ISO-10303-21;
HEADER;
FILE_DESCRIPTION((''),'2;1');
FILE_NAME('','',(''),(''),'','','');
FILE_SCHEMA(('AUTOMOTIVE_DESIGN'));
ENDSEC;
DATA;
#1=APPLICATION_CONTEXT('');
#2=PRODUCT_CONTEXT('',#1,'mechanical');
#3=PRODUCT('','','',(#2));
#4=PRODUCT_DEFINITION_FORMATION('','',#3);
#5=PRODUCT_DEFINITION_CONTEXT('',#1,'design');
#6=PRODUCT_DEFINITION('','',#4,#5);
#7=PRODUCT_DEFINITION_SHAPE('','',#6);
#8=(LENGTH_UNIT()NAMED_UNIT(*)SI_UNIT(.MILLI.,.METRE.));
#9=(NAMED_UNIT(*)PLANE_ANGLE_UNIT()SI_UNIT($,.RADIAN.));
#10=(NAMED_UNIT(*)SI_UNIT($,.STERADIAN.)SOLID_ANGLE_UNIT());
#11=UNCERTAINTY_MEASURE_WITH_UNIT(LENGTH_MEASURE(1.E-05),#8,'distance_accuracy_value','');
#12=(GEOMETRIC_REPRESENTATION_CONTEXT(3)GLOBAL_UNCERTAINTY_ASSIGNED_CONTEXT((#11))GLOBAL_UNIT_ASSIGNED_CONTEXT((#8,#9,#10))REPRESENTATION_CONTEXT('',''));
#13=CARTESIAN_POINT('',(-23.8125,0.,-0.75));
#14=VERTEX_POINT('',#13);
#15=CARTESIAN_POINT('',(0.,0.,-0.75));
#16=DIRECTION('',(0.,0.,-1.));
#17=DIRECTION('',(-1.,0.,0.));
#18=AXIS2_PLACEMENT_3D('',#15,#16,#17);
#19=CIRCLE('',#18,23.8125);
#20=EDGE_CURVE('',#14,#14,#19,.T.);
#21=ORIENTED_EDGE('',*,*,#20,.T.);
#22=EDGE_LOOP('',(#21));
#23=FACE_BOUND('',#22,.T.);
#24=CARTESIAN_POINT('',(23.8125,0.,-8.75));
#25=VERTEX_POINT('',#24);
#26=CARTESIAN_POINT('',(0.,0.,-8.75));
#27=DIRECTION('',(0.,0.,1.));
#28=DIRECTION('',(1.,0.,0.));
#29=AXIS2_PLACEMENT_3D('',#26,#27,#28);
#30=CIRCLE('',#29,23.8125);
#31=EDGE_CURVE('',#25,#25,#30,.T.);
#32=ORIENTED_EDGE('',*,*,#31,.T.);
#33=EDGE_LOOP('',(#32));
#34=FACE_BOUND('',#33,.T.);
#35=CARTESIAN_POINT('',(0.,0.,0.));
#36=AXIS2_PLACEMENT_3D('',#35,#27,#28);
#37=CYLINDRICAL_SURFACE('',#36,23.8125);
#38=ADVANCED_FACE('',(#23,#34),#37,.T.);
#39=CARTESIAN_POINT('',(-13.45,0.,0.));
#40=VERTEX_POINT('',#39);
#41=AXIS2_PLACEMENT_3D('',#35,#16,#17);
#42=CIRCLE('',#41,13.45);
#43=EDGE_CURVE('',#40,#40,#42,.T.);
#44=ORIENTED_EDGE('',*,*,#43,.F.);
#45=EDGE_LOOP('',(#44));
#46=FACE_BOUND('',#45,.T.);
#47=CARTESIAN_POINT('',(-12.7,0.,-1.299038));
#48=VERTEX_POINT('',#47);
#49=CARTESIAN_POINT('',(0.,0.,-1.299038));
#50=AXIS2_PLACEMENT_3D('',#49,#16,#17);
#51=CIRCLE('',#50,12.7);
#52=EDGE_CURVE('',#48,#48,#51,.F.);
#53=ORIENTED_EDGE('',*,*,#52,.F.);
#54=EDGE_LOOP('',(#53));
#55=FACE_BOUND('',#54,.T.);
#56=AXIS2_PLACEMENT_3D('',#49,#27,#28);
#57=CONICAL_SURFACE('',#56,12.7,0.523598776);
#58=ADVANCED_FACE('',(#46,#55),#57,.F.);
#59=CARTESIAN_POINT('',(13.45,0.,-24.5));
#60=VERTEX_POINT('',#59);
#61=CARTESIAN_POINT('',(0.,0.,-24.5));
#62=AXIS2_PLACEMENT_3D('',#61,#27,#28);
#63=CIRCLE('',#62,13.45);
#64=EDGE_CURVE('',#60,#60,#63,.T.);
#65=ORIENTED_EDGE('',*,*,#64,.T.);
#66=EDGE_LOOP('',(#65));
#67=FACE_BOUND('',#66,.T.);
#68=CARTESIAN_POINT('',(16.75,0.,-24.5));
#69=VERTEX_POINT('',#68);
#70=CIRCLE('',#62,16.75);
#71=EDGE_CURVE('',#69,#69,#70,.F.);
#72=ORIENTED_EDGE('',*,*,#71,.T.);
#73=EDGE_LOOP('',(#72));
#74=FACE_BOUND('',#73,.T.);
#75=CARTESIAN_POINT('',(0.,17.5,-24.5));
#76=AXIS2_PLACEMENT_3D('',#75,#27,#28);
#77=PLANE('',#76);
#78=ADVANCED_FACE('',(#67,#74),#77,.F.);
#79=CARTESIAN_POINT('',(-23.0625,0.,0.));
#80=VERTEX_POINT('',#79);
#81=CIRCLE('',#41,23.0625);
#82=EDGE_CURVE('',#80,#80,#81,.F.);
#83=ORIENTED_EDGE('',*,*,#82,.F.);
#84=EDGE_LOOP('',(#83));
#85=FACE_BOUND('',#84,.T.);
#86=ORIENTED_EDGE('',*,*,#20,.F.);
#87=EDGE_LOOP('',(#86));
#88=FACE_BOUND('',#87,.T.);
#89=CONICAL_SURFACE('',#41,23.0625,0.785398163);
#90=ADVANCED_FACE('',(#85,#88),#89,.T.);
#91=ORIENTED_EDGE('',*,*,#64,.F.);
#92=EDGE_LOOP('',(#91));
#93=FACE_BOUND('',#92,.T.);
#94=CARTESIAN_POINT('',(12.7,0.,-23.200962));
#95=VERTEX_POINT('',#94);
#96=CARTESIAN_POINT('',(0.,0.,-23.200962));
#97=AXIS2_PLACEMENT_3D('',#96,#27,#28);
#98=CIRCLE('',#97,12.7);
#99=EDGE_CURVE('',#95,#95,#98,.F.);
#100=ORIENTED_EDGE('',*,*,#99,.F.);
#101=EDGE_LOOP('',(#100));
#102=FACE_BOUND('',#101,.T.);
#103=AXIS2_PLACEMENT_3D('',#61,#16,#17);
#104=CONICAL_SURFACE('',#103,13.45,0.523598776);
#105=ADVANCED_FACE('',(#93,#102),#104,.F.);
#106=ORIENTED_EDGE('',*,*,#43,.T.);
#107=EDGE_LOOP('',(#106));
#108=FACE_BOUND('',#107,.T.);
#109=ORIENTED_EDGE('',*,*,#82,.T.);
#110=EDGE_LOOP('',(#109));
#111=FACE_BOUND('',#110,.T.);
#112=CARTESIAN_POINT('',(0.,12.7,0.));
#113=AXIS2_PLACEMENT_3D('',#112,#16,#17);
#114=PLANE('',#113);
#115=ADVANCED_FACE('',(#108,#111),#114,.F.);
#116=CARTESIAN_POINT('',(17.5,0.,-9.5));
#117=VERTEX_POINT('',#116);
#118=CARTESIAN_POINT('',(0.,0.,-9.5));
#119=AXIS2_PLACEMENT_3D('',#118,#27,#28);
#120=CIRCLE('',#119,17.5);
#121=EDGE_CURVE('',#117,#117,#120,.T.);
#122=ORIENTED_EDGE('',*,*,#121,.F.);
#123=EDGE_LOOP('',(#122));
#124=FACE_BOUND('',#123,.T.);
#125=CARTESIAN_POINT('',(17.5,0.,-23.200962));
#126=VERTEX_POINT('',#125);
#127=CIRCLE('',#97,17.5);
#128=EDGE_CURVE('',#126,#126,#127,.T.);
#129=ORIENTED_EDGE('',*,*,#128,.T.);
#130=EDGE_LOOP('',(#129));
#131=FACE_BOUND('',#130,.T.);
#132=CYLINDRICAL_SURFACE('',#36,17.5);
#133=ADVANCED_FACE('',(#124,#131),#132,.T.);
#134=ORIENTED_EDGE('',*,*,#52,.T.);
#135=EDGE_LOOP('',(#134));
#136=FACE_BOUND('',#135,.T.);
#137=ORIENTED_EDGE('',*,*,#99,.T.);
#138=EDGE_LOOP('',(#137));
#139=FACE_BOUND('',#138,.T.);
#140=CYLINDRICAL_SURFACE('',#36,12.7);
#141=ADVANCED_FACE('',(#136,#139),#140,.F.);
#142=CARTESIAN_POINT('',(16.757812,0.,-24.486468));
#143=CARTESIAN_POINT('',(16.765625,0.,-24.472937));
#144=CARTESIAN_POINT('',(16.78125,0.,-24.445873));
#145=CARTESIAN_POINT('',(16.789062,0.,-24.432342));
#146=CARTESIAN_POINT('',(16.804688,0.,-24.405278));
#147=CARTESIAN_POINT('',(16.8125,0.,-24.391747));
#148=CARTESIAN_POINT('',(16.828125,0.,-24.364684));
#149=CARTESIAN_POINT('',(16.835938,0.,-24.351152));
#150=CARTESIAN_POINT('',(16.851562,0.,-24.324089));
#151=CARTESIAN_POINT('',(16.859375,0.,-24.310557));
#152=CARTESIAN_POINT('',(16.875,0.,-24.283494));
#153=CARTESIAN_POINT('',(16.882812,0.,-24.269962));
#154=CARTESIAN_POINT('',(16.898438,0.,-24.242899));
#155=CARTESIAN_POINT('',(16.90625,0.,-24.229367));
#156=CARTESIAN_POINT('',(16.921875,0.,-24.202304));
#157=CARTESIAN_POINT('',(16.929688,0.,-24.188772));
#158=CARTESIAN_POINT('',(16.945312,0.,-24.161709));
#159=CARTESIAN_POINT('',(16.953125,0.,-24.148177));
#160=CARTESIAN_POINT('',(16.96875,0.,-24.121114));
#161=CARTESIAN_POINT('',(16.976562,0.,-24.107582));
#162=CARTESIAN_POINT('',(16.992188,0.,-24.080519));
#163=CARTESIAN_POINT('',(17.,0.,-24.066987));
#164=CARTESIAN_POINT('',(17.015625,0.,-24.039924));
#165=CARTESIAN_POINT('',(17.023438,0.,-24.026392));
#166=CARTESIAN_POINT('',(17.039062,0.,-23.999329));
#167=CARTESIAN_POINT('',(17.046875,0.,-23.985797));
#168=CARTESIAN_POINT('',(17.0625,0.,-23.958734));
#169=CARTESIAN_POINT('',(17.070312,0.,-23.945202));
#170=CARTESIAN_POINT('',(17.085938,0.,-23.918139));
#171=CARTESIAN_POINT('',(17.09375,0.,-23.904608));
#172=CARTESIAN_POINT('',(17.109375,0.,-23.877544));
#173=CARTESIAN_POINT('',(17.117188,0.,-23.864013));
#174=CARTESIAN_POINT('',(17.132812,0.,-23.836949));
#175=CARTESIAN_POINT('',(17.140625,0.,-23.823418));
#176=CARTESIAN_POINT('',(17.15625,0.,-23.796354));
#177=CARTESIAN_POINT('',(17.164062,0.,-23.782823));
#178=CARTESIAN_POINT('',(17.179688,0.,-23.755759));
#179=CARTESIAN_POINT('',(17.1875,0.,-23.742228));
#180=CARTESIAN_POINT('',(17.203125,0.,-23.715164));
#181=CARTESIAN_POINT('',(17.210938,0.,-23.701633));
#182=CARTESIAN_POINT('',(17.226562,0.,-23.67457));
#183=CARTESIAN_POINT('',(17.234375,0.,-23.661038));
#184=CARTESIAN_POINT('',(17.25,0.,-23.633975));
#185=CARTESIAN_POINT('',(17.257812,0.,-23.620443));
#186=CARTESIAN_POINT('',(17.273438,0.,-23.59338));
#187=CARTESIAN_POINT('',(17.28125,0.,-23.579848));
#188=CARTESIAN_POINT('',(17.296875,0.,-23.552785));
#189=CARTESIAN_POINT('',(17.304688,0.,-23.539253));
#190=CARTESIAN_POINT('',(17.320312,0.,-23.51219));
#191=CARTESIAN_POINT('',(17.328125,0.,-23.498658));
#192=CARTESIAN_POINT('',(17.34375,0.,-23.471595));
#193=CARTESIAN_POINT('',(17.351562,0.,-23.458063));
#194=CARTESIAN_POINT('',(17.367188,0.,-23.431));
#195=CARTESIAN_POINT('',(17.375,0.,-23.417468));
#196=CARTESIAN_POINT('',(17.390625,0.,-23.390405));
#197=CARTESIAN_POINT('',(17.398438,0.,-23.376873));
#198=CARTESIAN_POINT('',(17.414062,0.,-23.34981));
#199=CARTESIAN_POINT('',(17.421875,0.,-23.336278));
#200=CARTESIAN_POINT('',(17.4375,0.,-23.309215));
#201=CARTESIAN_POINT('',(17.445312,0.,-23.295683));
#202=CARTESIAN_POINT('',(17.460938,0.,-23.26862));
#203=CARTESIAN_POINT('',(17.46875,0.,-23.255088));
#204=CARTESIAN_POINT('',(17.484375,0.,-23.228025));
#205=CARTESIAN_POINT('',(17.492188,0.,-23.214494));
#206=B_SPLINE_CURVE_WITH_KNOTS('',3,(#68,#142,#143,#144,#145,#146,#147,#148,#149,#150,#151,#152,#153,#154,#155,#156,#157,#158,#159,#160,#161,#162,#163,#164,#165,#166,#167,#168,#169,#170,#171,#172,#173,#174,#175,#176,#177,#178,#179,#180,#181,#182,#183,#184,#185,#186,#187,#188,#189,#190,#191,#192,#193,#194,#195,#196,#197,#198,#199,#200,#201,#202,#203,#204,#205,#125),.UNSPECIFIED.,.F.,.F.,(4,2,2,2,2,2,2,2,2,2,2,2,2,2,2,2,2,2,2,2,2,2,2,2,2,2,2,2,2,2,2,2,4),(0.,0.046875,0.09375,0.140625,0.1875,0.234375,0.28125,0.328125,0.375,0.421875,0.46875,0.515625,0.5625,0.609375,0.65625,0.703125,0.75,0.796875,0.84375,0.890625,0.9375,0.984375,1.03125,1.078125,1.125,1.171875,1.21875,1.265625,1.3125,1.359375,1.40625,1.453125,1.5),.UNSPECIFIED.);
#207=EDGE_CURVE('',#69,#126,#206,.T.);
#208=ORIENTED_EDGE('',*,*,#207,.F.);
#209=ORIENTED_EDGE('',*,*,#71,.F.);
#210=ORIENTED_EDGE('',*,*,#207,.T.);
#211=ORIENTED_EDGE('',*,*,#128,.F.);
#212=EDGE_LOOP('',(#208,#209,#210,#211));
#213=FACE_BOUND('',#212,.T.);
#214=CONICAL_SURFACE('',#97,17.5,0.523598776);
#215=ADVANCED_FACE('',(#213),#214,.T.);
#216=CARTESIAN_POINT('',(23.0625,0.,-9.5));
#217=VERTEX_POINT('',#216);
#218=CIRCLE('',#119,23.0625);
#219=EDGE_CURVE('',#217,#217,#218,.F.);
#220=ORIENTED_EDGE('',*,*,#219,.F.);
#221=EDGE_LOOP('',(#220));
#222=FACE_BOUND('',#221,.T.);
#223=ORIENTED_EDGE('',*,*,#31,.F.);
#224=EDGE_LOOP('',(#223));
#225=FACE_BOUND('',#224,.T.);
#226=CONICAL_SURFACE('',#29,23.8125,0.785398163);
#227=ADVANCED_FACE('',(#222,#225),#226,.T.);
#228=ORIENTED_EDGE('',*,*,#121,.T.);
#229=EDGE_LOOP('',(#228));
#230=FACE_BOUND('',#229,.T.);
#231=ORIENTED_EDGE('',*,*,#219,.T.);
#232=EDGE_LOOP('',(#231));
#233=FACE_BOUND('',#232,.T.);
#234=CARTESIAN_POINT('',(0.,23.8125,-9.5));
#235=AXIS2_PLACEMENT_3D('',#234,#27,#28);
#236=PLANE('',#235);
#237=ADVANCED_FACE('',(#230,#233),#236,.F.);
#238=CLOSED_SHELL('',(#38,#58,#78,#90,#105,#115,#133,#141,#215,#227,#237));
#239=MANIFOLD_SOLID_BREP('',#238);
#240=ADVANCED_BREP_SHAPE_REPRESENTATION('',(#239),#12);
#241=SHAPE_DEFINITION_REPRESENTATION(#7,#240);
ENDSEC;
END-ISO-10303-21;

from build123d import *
from OCP.BRepFilletAPI import BRepFilletAPI_MakeChamfer

# Parameters (mm, degrees)
CHAMFER1_SIZE  = 0.75
CHAMFER1_SIZE2 = 1.299038106
CHAMFER2_SIZE  = 0.75


with BuildPart() as part:
    # Sketch1 → Revolve1 (revolve)
    with BuildSketch(Plane(origin=(0, 0, 0), x_dir=(0, 0, -1), z_dir=(1, 0, 0))):
        Polygon((0, 23.8125), (9.5, 23.8125), (9.5, 17.5), (24.5, 17.5), (24.5, 12.7), (0, 12.7), align=None)
    revolve(axis=Axis((0, 0, 0), (0, 0, -1)))

    # Chamfer1: one chamfer whose edges measure the first distance from different faces: ONE call of the kernel's chamfer builder (chamfer() names one face for all edges)
    chamfer1_edges_1 = [part.edges().sort_by_distance(p)[0] for p in [
        (0, -17.5, -24.5),
        (0, -12.7, -24.5),
    ]]
    chamfer1_side_1 = [part.faces().sort_by_distance(p)[0] for p in [
        (0, -17.005025253, -24.5),
    ]]
    chamfer1_edges_2 = [part.edges().sort_by_distance(p)[0] for p in [
        (0, -12.7, 0),
    ]]
    chamfer1_side_2 = [part.faces().sort_by_distance(p)[0] for p in [
        (0, -13.373519209, 0),
    ]]
    chamfer1 = BRepFilletAPI_MakeChamfer(part.part.solid().wrapped)
    for e in chamfer1_edges_1:
        chamfer1.Add(CHAMFER1_SIZE, CHAMFER1_SIZE2, e.wrapped, chamfer1_side_1[0].wrapped)  # the first distance lies on this face
    for e in chamfer1_edges_2:
        chamfer1.Add(CHAMFER1_SIZE, CHAMFER1_SIZE2, e.wrapped, chamfer1_side_2[0].wrapped)  # the first distance lies on this face
    add(Compound.cast(chamfer1.Shape()), mode=Mode.REPLACE)

    # Chamfer2
    chamfer2_edges = [part.edges().sort_by_distance(p)[0] for p in [
        (0, -23.8125, -9.5),
        (0, -23.8125, 0),
    ]]
    chamfer(chamfer2_edges, length=CHAMFER2_SIZE)


solid = part.part
